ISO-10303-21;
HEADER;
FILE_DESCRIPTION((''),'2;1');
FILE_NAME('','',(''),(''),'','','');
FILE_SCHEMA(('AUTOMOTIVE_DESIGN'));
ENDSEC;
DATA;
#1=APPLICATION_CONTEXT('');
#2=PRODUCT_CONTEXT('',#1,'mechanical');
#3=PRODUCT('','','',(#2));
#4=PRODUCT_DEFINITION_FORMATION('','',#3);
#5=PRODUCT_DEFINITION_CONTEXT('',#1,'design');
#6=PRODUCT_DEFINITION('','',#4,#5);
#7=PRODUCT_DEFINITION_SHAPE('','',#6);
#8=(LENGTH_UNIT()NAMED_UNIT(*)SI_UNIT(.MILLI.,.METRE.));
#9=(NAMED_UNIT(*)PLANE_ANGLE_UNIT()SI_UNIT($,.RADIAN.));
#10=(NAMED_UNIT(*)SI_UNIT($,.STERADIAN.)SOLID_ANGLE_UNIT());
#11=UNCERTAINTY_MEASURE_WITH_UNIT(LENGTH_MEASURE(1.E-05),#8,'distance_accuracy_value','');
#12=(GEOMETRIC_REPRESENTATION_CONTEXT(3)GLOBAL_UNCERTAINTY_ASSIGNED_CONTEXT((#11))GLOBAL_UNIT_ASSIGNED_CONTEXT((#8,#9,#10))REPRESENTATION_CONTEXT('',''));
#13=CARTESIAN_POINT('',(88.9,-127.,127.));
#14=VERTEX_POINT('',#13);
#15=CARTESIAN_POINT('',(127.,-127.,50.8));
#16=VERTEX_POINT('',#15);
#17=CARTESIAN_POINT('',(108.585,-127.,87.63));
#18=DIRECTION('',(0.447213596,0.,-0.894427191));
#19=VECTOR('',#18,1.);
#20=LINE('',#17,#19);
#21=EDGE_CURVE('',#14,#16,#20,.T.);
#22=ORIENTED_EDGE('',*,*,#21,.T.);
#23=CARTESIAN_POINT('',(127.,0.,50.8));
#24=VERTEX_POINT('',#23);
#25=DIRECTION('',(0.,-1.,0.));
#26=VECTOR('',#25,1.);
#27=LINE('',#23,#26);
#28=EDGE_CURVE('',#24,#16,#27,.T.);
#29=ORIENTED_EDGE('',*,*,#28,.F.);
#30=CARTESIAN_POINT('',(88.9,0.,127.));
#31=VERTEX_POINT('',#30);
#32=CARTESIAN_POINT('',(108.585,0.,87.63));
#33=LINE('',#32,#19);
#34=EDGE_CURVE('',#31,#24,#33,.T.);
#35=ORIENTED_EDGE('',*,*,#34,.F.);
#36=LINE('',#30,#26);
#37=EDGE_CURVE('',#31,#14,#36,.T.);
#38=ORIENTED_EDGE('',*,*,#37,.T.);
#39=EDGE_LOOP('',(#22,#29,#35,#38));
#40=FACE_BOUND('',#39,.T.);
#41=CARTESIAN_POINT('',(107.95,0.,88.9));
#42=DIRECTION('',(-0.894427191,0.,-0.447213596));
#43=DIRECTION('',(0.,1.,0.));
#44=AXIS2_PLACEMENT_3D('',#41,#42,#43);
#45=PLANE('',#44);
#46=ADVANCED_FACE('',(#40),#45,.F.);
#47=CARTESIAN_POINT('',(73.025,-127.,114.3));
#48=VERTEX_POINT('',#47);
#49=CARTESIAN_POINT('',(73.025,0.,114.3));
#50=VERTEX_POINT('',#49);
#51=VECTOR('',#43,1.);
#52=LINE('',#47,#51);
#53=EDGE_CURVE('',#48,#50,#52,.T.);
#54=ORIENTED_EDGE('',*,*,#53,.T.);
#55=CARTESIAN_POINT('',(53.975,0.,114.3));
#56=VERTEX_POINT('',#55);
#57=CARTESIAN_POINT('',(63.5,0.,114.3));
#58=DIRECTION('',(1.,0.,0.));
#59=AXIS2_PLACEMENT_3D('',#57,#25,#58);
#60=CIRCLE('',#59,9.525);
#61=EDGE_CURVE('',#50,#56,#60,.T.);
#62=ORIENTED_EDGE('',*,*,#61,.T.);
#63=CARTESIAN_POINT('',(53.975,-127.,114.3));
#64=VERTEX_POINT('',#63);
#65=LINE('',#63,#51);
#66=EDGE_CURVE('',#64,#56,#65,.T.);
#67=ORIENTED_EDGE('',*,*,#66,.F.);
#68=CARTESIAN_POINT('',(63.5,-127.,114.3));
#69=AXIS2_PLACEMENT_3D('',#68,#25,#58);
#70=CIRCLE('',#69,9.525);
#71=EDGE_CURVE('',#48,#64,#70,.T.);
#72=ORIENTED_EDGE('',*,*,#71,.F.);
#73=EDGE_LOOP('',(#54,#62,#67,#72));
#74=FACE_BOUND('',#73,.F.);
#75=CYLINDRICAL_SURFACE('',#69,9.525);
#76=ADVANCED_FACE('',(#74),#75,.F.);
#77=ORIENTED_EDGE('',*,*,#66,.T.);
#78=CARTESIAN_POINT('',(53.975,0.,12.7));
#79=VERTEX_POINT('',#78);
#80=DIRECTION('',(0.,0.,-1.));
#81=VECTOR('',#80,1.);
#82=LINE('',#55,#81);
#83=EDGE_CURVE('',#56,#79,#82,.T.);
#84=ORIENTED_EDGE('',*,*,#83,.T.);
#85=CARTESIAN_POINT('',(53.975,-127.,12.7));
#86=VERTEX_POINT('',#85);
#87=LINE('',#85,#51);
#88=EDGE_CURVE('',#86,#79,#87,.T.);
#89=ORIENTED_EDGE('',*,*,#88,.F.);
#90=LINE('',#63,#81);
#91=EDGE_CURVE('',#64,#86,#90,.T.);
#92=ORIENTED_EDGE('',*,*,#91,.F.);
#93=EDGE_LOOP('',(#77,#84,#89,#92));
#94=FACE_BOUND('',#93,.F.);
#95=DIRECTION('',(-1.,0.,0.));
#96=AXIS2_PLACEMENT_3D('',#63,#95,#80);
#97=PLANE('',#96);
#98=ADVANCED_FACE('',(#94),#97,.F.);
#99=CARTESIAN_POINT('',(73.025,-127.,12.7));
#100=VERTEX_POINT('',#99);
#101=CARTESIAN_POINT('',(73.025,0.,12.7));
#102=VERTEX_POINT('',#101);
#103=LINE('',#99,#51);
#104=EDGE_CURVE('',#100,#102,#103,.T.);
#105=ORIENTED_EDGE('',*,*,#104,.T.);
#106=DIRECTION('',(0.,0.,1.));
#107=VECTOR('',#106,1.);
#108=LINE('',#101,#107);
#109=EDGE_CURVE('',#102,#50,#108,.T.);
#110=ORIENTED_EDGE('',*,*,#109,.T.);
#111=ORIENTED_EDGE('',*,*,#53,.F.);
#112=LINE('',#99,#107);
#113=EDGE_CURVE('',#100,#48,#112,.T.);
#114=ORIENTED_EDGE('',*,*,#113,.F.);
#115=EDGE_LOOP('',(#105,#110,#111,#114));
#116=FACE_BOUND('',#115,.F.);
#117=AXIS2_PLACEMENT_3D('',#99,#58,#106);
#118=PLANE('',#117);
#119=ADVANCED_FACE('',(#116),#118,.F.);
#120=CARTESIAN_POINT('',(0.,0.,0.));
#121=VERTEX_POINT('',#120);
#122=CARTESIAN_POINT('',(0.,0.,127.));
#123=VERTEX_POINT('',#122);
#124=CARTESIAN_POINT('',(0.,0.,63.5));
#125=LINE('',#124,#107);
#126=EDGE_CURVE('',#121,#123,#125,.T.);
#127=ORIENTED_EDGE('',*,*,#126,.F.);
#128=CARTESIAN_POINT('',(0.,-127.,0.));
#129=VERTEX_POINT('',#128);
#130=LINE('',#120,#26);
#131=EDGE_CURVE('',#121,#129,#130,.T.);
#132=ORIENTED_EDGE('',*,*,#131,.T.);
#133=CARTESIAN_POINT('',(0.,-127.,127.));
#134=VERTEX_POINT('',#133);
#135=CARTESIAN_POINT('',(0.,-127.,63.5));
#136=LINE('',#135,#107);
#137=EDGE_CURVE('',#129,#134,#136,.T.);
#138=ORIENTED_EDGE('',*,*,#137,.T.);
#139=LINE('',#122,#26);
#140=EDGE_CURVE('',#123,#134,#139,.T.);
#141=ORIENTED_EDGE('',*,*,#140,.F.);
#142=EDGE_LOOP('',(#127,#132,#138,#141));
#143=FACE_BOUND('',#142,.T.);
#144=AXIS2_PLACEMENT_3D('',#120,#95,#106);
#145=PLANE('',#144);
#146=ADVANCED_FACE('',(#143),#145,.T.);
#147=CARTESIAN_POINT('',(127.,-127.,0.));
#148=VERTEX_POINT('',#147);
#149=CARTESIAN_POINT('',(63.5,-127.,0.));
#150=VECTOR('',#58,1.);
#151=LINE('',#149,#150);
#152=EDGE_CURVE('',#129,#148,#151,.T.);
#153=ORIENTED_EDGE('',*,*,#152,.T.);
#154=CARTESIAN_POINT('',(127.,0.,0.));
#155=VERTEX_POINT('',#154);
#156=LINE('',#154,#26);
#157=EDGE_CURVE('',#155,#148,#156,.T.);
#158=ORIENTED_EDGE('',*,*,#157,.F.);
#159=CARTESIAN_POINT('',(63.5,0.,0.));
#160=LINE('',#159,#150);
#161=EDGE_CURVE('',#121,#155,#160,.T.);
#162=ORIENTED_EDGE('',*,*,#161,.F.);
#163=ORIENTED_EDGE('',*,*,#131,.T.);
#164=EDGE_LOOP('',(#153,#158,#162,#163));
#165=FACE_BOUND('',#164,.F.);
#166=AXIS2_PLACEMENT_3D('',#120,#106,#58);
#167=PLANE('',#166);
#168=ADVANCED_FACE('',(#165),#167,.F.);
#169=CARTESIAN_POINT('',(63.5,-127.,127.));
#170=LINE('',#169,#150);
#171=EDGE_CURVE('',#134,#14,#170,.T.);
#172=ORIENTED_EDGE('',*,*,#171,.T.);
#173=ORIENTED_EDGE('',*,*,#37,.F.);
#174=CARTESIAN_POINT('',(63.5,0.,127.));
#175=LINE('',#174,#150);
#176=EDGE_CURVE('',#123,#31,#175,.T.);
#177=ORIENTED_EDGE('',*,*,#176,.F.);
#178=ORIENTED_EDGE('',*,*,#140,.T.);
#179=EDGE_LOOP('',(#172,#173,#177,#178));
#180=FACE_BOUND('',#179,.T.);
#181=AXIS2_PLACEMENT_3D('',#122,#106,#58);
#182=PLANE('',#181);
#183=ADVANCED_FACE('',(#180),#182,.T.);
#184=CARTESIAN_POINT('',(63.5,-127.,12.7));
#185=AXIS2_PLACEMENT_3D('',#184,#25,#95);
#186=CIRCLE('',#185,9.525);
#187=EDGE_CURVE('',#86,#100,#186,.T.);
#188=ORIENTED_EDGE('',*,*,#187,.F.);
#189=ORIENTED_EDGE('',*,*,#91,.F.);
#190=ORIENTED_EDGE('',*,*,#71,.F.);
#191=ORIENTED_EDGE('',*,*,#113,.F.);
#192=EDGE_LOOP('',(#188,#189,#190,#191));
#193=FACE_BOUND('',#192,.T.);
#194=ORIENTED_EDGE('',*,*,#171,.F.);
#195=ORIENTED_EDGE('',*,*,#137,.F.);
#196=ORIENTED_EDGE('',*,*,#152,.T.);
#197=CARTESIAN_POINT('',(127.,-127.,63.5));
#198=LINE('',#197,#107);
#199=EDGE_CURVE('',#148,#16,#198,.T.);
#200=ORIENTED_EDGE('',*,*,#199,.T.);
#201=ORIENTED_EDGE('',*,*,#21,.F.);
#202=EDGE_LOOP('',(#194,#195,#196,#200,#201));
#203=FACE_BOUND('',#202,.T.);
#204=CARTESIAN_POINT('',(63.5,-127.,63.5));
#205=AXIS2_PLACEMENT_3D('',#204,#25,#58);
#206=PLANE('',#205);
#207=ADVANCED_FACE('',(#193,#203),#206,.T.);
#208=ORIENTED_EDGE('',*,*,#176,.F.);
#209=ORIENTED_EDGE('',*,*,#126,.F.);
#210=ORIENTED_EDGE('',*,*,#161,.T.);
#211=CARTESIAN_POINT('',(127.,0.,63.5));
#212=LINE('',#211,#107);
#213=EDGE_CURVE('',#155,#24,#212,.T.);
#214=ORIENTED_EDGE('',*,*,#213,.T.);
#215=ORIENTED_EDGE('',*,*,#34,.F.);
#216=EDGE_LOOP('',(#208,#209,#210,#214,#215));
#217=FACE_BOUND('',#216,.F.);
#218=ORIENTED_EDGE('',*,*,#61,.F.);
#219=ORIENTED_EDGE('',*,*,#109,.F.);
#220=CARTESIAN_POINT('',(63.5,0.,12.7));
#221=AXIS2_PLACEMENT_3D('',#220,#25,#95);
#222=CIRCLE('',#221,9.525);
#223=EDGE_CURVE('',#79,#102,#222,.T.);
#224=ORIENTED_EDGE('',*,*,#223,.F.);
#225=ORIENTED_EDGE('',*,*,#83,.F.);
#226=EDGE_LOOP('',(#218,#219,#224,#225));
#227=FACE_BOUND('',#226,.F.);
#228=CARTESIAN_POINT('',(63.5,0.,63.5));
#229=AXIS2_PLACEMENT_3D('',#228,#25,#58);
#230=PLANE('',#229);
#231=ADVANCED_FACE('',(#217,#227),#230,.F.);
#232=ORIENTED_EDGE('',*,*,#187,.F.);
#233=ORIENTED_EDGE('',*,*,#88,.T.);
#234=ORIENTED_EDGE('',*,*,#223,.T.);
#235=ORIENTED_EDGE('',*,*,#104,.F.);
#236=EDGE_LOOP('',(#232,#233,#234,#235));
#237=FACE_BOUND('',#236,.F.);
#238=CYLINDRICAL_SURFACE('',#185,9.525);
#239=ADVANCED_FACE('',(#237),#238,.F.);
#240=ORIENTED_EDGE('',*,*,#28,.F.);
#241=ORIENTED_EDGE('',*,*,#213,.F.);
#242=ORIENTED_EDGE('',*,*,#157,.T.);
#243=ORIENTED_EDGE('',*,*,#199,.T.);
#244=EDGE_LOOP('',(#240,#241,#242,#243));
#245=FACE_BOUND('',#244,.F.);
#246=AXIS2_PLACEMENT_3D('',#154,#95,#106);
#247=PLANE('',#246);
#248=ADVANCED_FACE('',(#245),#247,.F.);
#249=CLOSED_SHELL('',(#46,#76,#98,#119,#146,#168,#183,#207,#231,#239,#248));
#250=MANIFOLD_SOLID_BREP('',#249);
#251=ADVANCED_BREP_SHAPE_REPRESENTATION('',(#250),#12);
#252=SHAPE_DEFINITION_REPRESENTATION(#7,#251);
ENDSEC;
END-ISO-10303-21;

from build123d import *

# Parameters (mm, degrees)
F0_W     = 127
F0_H     = 127
F1_DEPTH = 127
F3_DEPTH = 127
F4_SIZE2 = 76.2
F4_SIZE  = 38.1


with BuildPart() as f1:
    # F0 (on Front) → F1 (new body)
    with BuildSketch(Plane.XZ):
        with Locations((63.5, 63.5)):
            Rectangle(F0_W, F0_H)
    extrude(amount=F1_DEPTH)

    # F2 (on face) → F3 (cut, through all)
    with BuildSketch(Plane.XZ.offset(127)):
        with BuildLine():
            Line((73.025, 12.7), (73.025, 114.3))
            ThreePointArc((73.025, 114.3), (63.5, 123.825), (53.975, 114.3))
            Line((53.975, 114.3), (53.975, 12.7))
            ThreePointArc((53.975, 12.7), (63.5, 3.175), (73.025, 12.7))
        make_face()
    extrude(amount=-F3_DEPTH, mode=Mode.SUBTRACT)

    # F4
    f4_edges = [f1.edges().sort_by_distance(p)[0] for p in [
        (127, -63.5, 127),
    ]]
    chamfer(f4_edges, length=F4_SIZE, length2=F4_SIZE2)


solid = f1.part
